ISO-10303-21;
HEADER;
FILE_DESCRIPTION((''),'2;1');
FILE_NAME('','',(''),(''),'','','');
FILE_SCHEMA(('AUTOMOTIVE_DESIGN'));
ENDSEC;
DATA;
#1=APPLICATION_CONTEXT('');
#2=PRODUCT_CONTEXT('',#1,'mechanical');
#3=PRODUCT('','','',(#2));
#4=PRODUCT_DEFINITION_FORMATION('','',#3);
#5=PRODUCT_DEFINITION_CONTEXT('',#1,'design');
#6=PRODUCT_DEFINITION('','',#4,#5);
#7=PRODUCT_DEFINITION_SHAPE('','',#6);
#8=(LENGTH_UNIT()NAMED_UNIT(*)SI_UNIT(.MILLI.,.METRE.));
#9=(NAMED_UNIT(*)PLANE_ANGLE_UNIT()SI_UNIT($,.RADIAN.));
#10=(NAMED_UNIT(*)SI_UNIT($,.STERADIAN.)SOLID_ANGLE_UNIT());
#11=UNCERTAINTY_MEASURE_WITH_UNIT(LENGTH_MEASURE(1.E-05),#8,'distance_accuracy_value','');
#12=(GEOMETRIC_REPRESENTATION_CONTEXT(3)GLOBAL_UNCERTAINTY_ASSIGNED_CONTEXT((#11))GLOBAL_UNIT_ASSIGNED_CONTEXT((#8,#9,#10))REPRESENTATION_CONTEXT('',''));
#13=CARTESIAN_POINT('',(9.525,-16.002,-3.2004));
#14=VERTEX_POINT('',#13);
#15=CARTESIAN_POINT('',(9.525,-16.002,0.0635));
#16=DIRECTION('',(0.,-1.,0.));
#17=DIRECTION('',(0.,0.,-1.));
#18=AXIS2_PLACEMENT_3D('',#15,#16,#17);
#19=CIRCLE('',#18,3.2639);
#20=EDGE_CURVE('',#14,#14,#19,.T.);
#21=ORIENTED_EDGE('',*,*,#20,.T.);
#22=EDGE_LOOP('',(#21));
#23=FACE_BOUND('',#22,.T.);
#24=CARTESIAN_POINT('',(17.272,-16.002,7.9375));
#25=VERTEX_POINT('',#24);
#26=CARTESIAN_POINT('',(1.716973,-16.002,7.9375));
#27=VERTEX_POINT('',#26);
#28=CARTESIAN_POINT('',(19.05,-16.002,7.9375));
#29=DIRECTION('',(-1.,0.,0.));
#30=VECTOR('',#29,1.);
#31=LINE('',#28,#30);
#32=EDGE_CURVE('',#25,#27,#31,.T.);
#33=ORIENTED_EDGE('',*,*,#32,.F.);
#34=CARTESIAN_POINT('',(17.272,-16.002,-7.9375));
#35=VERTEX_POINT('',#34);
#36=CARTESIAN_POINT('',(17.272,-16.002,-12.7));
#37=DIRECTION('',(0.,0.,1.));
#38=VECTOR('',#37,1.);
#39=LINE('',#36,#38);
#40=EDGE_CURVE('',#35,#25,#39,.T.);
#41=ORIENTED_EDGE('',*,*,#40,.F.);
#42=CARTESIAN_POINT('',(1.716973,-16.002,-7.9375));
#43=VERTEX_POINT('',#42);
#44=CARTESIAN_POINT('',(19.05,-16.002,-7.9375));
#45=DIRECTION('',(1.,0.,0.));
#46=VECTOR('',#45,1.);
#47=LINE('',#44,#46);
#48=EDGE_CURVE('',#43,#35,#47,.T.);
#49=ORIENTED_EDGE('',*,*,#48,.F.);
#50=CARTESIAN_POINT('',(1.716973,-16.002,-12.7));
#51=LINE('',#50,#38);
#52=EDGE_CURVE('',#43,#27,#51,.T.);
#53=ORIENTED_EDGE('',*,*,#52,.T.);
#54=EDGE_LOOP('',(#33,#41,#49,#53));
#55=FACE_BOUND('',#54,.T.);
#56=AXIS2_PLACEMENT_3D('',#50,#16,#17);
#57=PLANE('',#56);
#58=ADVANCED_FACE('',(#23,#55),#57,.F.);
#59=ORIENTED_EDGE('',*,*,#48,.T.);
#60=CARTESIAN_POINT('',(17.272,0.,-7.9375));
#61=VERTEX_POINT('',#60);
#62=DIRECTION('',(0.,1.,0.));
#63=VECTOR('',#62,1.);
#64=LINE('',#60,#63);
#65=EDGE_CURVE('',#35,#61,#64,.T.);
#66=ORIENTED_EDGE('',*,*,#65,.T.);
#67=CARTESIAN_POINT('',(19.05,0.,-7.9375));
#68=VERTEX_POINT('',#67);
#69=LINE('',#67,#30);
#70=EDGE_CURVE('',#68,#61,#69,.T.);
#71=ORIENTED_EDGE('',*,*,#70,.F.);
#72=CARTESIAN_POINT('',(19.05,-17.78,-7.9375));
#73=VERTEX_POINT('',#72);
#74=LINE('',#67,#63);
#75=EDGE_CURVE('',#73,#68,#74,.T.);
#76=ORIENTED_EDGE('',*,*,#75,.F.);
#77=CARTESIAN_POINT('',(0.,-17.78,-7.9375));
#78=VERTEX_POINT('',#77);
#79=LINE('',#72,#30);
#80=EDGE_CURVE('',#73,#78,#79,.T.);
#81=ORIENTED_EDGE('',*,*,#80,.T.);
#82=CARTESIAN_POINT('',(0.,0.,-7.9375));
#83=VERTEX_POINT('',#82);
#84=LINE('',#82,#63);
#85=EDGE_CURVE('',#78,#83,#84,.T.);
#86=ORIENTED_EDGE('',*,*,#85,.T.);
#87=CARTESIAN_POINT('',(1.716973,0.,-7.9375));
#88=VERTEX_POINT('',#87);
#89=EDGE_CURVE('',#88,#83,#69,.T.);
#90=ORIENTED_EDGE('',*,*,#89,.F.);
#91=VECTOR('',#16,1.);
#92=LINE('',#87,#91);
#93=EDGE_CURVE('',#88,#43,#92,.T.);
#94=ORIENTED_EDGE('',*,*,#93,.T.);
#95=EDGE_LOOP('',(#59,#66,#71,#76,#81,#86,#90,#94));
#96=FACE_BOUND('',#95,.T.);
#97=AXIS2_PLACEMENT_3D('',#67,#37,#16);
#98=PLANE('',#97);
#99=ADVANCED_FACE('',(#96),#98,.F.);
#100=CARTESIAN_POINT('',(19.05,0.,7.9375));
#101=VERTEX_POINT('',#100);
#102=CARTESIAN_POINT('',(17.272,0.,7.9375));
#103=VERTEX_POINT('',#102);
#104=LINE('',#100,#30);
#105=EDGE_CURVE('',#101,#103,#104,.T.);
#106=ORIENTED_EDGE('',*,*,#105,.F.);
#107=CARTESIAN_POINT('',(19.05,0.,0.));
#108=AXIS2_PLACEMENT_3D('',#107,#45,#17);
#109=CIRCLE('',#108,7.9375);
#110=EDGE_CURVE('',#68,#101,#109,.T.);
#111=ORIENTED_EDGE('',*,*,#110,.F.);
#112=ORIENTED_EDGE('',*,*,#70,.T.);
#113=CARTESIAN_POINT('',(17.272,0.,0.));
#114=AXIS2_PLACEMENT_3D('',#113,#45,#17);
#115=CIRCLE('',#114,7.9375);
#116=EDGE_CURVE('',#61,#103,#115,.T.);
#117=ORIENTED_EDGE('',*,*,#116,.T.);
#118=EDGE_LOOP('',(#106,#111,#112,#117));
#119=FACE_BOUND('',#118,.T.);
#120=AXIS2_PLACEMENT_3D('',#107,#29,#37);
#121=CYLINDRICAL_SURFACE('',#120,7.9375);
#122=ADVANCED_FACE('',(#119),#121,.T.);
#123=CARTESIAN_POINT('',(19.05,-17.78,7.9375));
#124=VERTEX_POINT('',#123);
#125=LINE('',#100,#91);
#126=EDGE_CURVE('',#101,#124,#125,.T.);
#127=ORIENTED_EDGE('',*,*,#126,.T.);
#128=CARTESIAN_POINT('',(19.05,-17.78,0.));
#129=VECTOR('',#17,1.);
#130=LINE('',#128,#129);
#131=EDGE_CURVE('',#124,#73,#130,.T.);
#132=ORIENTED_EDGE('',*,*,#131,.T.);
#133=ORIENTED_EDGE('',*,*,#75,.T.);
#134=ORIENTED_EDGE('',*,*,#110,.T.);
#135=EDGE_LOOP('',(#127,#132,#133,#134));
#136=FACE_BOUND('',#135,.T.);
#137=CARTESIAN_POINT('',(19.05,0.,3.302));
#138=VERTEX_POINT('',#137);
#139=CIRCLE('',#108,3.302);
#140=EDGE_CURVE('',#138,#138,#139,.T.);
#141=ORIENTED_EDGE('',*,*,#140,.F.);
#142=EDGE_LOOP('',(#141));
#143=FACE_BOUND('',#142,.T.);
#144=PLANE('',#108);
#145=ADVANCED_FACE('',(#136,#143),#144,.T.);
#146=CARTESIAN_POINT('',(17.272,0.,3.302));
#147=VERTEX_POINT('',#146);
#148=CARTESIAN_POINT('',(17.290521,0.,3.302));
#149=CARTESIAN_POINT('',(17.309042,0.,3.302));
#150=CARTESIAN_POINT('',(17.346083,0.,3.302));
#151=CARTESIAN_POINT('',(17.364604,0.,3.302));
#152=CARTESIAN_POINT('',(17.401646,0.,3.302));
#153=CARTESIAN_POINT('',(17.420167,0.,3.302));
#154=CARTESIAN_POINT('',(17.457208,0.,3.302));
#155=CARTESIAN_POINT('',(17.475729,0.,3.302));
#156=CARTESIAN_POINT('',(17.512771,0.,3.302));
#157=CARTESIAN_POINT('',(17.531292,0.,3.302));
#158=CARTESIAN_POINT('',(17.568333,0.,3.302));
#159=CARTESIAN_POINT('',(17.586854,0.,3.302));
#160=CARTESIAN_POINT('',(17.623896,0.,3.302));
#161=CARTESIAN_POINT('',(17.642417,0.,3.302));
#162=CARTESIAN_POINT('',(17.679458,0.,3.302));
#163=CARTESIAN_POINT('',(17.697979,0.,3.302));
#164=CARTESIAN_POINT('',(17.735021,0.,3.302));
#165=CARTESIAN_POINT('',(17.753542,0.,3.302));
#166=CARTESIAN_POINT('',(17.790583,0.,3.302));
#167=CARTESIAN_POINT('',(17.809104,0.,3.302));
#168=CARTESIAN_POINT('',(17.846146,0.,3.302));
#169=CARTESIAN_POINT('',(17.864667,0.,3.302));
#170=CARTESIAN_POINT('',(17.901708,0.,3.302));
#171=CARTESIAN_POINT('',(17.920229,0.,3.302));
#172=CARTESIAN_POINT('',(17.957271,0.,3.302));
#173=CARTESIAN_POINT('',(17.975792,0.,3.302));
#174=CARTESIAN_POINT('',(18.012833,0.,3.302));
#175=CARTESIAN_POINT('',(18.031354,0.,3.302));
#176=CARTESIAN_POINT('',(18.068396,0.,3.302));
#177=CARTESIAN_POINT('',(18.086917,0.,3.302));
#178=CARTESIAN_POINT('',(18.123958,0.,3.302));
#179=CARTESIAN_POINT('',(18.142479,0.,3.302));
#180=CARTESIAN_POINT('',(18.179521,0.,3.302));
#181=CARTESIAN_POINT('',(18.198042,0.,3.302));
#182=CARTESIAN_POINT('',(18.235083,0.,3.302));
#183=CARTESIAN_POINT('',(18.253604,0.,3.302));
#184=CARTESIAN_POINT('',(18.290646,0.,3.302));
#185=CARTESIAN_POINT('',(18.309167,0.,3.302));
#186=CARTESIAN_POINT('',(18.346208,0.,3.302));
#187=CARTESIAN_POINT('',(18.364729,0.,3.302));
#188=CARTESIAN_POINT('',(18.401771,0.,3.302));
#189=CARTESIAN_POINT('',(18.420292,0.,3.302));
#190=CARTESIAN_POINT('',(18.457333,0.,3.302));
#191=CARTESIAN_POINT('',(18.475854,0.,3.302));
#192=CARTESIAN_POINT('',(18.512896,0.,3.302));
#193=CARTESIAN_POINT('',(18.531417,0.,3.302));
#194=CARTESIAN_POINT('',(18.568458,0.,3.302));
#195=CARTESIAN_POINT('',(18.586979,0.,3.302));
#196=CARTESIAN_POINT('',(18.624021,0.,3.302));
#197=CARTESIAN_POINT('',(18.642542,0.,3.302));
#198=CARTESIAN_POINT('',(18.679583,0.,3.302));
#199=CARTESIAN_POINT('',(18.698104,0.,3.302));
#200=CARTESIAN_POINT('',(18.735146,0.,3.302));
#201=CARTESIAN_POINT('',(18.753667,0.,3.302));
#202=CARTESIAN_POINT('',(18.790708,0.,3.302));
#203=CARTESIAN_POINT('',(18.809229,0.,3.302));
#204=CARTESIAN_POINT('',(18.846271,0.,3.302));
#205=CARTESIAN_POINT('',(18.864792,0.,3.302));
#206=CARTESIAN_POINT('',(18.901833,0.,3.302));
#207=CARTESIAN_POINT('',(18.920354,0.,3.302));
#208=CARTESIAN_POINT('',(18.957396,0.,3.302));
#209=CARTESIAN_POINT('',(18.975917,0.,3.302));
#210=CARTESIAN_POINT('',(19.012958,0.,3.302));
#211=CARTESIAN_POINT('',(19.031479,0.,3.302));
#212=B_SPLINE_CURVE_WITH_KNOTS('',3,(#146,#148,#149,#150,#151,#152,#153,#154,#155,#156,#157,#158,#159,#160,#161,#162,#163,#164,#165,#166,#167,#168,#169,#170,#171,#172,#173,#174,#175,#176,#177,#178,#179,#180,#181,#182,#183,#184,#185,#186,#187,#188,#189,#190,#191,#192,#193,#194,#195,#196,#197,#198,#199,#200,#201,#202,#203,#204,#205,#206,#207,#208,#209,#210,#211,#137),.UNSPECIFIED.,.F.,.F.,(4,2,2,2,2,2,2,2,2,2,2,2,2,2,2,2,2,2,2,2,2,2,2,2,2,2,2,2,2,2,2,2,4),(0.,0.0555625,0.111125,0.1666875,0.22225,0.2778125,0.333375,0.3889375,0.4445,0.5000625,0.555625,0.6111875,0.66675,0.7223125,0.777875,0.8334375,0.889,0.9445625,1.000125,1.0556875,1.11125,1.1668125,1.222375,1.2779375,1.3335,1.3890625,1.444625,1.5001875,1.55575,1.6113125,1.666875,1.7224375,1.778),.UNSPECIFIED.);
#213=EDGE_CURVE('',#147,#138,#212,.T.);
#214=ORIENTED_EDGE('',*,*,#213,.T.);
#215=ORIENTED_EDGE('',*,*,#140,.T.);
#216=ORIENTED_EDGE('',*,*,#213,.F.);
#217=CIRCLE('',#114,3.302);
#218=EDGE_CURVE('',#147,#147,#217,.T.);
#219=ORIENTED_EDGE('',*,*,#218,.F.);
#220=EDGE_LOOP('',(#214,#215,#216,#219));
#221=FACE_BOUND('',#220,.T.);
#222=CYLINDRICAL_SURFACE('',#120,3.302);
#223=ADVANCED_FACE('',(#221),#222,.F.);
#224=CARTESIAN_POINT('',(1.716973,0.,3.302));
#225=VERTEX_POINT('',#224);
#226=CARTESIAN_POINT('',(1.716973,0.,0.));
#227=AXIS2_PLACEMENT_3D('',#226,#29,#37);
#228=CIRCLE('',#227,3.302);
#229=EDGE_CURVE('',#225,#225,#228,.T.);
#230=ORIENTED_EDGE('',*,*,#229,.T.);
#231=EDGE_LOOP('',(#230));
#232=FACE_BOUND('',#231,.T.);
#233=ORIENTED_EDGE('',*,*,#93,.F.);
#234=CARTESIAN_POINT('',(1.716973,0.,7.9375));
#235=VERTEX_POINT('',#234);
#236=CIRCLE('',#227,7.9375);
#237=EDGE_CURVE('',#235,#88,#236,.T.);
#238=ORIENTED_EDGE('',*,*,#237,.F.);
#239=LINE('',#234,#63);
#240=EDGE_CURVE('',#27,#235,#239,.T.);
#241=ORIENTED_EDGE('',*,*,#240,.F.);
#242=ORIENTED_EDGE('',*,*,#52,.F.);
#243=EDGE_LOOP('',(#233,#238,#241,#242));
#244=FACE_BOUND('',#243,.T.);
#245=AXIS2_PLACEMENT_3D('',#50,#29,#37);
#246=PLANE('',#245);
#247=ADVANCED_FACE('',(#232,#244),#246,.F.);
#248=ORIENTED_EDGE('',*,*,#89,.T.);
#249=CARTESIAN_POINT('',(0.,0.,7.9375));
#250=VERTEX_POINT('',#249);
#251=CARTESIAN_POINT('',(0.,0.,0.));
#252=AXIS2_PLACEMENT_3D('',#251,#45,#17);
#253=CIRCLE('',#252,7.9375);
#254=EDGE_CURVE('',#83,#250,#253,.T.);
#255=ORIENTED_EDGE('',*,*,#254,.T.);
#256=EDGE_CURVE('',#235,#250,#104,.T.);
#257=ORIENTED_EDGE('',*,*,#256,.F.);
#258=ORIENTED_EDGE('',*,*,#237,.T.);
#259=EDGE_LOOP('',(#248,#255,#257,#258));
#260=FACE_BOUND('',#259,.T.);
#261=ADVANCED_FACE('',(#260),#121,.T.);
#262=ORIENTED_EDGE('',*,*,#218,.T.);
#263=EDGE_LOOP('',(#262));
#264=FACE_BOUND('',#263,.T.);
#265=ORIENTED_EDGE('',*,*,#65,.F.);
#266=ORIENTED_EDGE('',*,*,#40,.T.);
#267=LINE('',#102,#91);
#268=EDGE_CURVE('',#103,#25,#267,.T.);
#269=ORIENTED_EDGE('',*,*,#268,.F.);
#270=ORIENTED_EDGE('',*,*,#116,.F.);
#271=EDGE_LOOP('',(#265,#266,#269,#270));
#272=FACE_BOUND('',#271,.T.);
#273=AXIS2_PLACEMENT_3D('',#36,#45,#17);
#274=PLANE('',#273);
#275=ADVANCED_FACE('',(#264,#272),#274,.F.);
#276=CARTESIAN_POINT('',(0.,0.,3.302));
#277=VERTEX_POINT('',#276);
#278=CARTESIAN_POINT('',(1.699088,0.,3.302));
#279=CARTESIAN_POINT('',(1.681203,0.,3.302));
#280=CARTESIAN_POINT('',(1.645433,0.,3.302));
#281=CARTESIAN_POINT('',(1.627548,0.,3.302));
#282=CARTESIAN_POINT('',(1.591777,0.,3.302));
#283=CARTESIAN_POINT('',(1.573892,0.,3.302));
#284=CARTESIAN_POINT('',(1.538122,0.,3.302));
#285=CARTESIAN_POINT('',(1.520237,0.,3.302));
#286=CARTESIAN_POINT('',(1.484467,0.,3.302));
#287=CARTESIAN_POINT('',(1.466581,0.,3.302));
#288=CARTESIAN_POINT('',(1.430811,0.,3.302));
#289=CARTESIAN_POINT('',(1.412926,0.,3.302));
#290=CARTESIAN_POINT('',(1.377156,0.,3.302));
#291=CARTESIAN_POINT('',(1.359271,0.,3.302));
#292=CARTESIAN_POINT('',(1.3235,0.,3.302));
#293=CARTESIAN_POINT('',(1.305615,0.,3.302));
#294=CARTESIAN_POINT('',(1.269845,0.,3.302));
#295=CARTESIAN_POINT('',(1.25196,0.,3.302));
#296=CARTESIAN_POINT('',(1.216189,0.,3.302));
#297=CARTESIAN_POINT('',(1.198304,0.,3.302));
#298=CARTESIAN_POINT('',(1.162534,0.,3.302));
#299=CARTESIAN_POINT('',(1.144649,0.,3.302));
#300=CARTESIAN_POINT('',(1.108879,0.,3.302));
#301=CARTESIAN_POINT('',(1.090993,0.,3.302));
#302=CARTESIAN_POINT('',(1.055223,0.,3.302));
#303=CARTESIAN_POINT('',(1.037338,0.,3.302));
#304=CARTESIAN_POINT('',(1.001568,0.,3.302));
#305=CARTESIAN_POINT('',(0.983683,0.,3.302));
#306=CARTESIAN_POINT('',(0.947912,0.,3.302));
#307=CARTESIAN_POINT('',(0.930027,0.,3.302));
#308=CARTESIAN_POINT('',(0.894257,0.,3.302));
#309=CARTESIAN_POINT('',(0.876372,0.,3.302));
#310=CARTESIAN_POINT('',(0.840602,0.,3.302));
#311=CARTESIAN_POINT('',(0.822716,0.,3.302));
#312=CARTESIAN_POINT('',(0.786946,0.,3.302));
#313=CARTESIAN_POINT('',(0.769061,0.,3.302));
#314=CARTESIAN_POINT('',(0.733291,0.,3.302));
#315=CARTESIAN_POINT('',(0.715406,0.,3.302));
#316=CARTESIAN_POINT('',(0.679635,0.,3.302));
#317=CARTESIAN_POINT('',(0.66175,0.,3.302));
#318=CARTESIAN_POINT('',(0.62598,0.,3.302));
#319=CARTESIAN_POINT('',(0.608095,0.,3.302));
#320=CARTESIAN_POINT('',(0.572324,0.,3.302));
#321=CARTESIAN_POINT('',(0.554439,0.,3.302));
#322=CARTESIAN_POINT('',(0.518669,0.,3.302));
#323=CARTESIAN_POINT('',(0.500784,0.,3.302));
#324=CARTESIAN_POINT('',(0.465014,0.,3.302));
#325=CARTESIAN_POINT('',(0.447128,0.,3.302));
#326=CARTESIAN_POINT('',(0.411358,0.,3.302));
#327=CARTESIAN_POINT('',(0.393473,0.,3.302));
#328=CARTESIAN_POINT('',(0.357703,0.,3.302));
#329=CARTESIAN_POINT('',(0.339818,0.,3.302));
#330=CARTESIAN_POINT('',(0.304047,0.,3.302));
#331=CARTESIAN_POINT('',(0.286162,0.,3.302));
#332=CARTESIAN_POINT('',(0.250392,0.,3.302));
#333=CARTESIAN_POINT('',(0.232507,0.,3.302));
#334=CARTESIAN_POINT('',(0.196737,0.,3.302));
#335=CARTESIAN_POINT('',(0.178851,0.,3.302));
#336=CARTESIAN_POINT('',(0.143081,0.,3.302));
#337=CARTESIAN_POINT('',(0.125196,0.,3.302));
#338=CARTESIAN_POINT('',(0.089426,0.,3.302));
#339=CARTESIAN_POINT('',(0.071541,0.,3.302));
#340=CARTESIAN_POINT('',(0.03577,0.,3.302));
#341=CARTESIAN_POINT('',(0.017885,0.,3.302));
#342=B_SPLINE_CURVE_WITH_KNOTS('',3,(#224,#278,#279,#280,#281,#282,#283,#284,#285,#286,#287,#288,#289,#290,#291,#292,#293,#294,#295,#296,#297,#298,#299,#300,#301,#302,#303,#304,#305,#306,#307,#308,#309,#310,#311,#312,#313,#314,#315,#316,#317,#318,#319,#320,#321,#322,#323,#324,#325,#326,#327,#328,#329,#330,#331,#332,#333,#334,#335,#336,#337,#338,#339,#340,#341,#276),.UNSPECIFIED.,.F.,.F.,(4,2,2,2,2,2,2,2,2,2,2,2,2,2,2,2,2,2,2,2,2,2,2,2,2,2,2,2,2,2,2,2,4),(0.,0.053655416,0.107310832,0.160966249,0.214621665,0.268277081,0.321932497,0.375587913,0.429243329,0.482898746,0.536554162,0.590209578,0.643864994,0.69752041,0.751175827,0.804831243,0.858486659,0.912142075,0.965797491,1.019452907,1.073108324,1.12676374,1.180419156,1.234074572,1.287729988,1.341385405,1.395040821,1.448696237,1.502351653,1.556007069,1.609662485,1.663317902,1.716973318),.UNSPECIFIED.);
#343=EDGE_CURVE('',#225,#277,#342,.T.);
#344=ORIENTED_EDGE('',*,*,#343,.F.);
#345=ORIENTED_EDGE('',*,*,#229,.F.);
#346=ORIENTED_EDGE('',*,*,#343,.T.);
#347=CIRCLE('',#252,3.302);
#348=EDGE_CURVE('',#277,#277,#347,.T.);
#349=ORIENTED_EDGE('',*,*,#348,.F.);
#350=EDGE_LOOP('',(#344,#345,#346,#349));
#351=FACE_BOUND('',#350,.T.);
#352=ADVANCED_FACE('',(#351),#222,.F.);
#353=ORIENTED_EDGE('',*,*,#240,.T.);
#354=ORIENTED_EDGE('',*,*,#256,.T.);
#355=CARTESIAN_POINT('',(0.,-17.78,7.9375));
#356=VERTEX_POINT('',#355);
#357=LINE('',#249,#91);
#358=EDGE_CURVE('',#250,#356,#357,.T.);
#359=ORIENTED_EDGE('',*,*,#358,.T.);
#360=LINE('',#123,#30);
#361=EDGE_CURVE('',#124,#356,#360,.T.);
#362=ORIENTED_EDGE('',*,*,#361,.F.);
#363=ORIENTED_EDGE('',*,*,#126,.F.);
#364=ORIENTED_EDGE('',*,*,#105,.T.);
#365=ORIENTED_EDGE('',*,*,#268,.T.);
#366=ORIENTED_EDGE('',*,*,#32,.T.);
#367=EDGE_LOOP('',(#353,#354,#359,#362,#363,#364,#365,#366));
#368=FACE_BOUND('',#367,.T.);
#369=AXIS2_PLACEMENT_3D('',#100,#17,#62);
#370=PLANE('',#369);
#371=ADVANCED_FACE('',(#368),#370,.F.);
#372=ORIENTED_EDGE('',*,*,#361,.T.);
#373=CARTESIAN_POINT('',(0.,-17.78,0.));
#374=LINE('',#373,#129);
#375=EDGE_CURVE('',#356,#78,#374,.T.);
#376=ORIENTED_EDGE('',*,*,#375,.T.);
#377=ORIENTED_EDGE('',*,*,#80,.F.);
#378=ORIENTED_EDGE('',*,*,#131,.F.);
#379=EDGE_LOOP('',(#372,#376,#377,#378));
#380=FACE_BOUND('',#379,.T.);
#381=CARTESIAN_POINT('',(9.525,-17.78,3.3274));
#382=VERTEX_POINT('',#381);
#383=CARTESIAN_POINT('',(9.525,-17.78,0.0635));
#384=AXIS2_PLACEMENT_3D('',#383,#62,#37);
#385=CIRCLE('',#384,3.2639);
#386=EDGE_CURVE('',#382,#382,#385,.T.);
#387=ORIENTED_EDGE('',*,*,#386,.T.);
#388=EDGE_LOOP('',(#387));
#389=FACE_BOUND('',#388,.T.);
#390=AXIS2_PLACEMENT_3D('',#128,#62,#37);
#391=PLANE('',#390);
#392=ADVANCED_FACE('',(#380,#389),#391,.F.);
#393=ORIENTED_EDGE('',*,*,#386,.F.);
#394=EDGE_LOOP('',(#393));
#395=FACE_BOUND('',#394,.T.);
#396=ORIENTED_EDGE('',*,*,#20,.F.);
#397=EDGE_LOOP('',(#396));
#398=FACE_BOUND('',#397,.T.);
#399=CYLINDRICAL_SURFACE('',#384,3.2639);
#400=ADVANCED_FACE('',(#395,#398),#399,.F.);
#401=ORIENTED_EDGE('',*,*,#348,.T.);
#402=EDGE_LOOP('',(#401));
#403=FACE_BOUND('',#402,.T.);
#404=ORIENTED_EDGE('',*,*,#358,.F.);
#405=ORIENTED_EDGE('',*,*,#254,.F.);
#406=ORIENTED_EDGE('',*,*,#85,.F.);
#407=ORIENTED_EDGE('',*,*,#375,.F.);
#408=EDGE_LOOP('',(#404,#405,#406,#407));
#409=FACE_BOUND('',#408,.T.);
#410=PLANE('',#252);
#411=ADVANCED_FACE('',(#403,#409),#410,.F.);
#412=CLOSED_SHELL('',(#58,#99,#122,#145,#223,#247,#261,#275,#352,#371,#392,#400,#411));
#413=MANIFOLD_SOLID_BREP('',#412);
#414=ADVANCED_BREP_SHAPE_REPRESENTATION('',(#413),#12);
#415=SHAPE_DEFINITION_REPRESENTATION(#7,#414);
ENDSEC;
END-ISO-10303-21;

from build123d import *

# Parameters (mm, degrees)
SKETCH2_R           = 7.9375
SKETCH2_R_2         = 3.302
BOSS_EXTRUDE1_DEPTH = 19.05
SKETCH3_W           = 15.555026682
SKETCH3_H           = 25.4
CUT_EXTRUDE1_DEPTH  = 12.7
SKETCH4_R           = 3.2639
CUT_EXTRUDE2_DEPTH  = 28.240315825


with BuildPart() as part:
    # Sketch2 → Boss-Extrude1 (new body)
    # profile 1 of 2: a face of its own
    with BuildSketch(Plane(origin=(0, 0, 0), x_dir=(0, 0, -1), z_dir=(1, 0, 0))):
        with BuildLine():
            ThreePointArc((7.9375, 0), (0, -7.9375), (-7.9375, 0))
            Line((-7.9375, 0), (-7.9375, -17.78))
            Line((-7.9375, -17.78), (7.9375, -17.78))
            Line((7.9375, -17.78), (7.9375, 0))
        make_face()
    # profile 2 of 2: a face of its own
    with BuildSketch(Plane(origin=(0, 0, 0), x_dir=(0, 0, -1), z_dir=(1, 0, 0))):
        Circle(SKETCH2_R)
        with Locations(Location((0, 0, 0), (0, 0, 180))):
            Circle(SKETCH2_R_2, mode=Mode.SUBTRACT)
    extrude(amount=BOSS_EXTRUDE1_DEPTH)

    # Sketch3 → Cut-Extrude1 (cut, symmetric)
    with BuildSketch(Plane.XY):
        with Locations((9.494486659, -3.302)):
            Rectangle(SKETCH3_W, SKETCH3_H)
    extrude(amount=CUT_EXTRUDE1_DEPTH, both=True, mode=Mode.SUBTRACT)

    # Sketch4 → Cut-Extrude2 (cut, through all)
    with BuildSketch(Plane(origin=(0, 0, 0), x_dir=(1, 0, 0), z_dir=(0, 1, 0))):
        with Locations(Location((9.525, -0.0635, 0), (0, 0, 270))):
            Circle(SKETCH4_R)
    extrude(amount=-CUT_EXTRUDE2_DEPTH, mode=Mode.SUBTRACT)


solid = part.part
